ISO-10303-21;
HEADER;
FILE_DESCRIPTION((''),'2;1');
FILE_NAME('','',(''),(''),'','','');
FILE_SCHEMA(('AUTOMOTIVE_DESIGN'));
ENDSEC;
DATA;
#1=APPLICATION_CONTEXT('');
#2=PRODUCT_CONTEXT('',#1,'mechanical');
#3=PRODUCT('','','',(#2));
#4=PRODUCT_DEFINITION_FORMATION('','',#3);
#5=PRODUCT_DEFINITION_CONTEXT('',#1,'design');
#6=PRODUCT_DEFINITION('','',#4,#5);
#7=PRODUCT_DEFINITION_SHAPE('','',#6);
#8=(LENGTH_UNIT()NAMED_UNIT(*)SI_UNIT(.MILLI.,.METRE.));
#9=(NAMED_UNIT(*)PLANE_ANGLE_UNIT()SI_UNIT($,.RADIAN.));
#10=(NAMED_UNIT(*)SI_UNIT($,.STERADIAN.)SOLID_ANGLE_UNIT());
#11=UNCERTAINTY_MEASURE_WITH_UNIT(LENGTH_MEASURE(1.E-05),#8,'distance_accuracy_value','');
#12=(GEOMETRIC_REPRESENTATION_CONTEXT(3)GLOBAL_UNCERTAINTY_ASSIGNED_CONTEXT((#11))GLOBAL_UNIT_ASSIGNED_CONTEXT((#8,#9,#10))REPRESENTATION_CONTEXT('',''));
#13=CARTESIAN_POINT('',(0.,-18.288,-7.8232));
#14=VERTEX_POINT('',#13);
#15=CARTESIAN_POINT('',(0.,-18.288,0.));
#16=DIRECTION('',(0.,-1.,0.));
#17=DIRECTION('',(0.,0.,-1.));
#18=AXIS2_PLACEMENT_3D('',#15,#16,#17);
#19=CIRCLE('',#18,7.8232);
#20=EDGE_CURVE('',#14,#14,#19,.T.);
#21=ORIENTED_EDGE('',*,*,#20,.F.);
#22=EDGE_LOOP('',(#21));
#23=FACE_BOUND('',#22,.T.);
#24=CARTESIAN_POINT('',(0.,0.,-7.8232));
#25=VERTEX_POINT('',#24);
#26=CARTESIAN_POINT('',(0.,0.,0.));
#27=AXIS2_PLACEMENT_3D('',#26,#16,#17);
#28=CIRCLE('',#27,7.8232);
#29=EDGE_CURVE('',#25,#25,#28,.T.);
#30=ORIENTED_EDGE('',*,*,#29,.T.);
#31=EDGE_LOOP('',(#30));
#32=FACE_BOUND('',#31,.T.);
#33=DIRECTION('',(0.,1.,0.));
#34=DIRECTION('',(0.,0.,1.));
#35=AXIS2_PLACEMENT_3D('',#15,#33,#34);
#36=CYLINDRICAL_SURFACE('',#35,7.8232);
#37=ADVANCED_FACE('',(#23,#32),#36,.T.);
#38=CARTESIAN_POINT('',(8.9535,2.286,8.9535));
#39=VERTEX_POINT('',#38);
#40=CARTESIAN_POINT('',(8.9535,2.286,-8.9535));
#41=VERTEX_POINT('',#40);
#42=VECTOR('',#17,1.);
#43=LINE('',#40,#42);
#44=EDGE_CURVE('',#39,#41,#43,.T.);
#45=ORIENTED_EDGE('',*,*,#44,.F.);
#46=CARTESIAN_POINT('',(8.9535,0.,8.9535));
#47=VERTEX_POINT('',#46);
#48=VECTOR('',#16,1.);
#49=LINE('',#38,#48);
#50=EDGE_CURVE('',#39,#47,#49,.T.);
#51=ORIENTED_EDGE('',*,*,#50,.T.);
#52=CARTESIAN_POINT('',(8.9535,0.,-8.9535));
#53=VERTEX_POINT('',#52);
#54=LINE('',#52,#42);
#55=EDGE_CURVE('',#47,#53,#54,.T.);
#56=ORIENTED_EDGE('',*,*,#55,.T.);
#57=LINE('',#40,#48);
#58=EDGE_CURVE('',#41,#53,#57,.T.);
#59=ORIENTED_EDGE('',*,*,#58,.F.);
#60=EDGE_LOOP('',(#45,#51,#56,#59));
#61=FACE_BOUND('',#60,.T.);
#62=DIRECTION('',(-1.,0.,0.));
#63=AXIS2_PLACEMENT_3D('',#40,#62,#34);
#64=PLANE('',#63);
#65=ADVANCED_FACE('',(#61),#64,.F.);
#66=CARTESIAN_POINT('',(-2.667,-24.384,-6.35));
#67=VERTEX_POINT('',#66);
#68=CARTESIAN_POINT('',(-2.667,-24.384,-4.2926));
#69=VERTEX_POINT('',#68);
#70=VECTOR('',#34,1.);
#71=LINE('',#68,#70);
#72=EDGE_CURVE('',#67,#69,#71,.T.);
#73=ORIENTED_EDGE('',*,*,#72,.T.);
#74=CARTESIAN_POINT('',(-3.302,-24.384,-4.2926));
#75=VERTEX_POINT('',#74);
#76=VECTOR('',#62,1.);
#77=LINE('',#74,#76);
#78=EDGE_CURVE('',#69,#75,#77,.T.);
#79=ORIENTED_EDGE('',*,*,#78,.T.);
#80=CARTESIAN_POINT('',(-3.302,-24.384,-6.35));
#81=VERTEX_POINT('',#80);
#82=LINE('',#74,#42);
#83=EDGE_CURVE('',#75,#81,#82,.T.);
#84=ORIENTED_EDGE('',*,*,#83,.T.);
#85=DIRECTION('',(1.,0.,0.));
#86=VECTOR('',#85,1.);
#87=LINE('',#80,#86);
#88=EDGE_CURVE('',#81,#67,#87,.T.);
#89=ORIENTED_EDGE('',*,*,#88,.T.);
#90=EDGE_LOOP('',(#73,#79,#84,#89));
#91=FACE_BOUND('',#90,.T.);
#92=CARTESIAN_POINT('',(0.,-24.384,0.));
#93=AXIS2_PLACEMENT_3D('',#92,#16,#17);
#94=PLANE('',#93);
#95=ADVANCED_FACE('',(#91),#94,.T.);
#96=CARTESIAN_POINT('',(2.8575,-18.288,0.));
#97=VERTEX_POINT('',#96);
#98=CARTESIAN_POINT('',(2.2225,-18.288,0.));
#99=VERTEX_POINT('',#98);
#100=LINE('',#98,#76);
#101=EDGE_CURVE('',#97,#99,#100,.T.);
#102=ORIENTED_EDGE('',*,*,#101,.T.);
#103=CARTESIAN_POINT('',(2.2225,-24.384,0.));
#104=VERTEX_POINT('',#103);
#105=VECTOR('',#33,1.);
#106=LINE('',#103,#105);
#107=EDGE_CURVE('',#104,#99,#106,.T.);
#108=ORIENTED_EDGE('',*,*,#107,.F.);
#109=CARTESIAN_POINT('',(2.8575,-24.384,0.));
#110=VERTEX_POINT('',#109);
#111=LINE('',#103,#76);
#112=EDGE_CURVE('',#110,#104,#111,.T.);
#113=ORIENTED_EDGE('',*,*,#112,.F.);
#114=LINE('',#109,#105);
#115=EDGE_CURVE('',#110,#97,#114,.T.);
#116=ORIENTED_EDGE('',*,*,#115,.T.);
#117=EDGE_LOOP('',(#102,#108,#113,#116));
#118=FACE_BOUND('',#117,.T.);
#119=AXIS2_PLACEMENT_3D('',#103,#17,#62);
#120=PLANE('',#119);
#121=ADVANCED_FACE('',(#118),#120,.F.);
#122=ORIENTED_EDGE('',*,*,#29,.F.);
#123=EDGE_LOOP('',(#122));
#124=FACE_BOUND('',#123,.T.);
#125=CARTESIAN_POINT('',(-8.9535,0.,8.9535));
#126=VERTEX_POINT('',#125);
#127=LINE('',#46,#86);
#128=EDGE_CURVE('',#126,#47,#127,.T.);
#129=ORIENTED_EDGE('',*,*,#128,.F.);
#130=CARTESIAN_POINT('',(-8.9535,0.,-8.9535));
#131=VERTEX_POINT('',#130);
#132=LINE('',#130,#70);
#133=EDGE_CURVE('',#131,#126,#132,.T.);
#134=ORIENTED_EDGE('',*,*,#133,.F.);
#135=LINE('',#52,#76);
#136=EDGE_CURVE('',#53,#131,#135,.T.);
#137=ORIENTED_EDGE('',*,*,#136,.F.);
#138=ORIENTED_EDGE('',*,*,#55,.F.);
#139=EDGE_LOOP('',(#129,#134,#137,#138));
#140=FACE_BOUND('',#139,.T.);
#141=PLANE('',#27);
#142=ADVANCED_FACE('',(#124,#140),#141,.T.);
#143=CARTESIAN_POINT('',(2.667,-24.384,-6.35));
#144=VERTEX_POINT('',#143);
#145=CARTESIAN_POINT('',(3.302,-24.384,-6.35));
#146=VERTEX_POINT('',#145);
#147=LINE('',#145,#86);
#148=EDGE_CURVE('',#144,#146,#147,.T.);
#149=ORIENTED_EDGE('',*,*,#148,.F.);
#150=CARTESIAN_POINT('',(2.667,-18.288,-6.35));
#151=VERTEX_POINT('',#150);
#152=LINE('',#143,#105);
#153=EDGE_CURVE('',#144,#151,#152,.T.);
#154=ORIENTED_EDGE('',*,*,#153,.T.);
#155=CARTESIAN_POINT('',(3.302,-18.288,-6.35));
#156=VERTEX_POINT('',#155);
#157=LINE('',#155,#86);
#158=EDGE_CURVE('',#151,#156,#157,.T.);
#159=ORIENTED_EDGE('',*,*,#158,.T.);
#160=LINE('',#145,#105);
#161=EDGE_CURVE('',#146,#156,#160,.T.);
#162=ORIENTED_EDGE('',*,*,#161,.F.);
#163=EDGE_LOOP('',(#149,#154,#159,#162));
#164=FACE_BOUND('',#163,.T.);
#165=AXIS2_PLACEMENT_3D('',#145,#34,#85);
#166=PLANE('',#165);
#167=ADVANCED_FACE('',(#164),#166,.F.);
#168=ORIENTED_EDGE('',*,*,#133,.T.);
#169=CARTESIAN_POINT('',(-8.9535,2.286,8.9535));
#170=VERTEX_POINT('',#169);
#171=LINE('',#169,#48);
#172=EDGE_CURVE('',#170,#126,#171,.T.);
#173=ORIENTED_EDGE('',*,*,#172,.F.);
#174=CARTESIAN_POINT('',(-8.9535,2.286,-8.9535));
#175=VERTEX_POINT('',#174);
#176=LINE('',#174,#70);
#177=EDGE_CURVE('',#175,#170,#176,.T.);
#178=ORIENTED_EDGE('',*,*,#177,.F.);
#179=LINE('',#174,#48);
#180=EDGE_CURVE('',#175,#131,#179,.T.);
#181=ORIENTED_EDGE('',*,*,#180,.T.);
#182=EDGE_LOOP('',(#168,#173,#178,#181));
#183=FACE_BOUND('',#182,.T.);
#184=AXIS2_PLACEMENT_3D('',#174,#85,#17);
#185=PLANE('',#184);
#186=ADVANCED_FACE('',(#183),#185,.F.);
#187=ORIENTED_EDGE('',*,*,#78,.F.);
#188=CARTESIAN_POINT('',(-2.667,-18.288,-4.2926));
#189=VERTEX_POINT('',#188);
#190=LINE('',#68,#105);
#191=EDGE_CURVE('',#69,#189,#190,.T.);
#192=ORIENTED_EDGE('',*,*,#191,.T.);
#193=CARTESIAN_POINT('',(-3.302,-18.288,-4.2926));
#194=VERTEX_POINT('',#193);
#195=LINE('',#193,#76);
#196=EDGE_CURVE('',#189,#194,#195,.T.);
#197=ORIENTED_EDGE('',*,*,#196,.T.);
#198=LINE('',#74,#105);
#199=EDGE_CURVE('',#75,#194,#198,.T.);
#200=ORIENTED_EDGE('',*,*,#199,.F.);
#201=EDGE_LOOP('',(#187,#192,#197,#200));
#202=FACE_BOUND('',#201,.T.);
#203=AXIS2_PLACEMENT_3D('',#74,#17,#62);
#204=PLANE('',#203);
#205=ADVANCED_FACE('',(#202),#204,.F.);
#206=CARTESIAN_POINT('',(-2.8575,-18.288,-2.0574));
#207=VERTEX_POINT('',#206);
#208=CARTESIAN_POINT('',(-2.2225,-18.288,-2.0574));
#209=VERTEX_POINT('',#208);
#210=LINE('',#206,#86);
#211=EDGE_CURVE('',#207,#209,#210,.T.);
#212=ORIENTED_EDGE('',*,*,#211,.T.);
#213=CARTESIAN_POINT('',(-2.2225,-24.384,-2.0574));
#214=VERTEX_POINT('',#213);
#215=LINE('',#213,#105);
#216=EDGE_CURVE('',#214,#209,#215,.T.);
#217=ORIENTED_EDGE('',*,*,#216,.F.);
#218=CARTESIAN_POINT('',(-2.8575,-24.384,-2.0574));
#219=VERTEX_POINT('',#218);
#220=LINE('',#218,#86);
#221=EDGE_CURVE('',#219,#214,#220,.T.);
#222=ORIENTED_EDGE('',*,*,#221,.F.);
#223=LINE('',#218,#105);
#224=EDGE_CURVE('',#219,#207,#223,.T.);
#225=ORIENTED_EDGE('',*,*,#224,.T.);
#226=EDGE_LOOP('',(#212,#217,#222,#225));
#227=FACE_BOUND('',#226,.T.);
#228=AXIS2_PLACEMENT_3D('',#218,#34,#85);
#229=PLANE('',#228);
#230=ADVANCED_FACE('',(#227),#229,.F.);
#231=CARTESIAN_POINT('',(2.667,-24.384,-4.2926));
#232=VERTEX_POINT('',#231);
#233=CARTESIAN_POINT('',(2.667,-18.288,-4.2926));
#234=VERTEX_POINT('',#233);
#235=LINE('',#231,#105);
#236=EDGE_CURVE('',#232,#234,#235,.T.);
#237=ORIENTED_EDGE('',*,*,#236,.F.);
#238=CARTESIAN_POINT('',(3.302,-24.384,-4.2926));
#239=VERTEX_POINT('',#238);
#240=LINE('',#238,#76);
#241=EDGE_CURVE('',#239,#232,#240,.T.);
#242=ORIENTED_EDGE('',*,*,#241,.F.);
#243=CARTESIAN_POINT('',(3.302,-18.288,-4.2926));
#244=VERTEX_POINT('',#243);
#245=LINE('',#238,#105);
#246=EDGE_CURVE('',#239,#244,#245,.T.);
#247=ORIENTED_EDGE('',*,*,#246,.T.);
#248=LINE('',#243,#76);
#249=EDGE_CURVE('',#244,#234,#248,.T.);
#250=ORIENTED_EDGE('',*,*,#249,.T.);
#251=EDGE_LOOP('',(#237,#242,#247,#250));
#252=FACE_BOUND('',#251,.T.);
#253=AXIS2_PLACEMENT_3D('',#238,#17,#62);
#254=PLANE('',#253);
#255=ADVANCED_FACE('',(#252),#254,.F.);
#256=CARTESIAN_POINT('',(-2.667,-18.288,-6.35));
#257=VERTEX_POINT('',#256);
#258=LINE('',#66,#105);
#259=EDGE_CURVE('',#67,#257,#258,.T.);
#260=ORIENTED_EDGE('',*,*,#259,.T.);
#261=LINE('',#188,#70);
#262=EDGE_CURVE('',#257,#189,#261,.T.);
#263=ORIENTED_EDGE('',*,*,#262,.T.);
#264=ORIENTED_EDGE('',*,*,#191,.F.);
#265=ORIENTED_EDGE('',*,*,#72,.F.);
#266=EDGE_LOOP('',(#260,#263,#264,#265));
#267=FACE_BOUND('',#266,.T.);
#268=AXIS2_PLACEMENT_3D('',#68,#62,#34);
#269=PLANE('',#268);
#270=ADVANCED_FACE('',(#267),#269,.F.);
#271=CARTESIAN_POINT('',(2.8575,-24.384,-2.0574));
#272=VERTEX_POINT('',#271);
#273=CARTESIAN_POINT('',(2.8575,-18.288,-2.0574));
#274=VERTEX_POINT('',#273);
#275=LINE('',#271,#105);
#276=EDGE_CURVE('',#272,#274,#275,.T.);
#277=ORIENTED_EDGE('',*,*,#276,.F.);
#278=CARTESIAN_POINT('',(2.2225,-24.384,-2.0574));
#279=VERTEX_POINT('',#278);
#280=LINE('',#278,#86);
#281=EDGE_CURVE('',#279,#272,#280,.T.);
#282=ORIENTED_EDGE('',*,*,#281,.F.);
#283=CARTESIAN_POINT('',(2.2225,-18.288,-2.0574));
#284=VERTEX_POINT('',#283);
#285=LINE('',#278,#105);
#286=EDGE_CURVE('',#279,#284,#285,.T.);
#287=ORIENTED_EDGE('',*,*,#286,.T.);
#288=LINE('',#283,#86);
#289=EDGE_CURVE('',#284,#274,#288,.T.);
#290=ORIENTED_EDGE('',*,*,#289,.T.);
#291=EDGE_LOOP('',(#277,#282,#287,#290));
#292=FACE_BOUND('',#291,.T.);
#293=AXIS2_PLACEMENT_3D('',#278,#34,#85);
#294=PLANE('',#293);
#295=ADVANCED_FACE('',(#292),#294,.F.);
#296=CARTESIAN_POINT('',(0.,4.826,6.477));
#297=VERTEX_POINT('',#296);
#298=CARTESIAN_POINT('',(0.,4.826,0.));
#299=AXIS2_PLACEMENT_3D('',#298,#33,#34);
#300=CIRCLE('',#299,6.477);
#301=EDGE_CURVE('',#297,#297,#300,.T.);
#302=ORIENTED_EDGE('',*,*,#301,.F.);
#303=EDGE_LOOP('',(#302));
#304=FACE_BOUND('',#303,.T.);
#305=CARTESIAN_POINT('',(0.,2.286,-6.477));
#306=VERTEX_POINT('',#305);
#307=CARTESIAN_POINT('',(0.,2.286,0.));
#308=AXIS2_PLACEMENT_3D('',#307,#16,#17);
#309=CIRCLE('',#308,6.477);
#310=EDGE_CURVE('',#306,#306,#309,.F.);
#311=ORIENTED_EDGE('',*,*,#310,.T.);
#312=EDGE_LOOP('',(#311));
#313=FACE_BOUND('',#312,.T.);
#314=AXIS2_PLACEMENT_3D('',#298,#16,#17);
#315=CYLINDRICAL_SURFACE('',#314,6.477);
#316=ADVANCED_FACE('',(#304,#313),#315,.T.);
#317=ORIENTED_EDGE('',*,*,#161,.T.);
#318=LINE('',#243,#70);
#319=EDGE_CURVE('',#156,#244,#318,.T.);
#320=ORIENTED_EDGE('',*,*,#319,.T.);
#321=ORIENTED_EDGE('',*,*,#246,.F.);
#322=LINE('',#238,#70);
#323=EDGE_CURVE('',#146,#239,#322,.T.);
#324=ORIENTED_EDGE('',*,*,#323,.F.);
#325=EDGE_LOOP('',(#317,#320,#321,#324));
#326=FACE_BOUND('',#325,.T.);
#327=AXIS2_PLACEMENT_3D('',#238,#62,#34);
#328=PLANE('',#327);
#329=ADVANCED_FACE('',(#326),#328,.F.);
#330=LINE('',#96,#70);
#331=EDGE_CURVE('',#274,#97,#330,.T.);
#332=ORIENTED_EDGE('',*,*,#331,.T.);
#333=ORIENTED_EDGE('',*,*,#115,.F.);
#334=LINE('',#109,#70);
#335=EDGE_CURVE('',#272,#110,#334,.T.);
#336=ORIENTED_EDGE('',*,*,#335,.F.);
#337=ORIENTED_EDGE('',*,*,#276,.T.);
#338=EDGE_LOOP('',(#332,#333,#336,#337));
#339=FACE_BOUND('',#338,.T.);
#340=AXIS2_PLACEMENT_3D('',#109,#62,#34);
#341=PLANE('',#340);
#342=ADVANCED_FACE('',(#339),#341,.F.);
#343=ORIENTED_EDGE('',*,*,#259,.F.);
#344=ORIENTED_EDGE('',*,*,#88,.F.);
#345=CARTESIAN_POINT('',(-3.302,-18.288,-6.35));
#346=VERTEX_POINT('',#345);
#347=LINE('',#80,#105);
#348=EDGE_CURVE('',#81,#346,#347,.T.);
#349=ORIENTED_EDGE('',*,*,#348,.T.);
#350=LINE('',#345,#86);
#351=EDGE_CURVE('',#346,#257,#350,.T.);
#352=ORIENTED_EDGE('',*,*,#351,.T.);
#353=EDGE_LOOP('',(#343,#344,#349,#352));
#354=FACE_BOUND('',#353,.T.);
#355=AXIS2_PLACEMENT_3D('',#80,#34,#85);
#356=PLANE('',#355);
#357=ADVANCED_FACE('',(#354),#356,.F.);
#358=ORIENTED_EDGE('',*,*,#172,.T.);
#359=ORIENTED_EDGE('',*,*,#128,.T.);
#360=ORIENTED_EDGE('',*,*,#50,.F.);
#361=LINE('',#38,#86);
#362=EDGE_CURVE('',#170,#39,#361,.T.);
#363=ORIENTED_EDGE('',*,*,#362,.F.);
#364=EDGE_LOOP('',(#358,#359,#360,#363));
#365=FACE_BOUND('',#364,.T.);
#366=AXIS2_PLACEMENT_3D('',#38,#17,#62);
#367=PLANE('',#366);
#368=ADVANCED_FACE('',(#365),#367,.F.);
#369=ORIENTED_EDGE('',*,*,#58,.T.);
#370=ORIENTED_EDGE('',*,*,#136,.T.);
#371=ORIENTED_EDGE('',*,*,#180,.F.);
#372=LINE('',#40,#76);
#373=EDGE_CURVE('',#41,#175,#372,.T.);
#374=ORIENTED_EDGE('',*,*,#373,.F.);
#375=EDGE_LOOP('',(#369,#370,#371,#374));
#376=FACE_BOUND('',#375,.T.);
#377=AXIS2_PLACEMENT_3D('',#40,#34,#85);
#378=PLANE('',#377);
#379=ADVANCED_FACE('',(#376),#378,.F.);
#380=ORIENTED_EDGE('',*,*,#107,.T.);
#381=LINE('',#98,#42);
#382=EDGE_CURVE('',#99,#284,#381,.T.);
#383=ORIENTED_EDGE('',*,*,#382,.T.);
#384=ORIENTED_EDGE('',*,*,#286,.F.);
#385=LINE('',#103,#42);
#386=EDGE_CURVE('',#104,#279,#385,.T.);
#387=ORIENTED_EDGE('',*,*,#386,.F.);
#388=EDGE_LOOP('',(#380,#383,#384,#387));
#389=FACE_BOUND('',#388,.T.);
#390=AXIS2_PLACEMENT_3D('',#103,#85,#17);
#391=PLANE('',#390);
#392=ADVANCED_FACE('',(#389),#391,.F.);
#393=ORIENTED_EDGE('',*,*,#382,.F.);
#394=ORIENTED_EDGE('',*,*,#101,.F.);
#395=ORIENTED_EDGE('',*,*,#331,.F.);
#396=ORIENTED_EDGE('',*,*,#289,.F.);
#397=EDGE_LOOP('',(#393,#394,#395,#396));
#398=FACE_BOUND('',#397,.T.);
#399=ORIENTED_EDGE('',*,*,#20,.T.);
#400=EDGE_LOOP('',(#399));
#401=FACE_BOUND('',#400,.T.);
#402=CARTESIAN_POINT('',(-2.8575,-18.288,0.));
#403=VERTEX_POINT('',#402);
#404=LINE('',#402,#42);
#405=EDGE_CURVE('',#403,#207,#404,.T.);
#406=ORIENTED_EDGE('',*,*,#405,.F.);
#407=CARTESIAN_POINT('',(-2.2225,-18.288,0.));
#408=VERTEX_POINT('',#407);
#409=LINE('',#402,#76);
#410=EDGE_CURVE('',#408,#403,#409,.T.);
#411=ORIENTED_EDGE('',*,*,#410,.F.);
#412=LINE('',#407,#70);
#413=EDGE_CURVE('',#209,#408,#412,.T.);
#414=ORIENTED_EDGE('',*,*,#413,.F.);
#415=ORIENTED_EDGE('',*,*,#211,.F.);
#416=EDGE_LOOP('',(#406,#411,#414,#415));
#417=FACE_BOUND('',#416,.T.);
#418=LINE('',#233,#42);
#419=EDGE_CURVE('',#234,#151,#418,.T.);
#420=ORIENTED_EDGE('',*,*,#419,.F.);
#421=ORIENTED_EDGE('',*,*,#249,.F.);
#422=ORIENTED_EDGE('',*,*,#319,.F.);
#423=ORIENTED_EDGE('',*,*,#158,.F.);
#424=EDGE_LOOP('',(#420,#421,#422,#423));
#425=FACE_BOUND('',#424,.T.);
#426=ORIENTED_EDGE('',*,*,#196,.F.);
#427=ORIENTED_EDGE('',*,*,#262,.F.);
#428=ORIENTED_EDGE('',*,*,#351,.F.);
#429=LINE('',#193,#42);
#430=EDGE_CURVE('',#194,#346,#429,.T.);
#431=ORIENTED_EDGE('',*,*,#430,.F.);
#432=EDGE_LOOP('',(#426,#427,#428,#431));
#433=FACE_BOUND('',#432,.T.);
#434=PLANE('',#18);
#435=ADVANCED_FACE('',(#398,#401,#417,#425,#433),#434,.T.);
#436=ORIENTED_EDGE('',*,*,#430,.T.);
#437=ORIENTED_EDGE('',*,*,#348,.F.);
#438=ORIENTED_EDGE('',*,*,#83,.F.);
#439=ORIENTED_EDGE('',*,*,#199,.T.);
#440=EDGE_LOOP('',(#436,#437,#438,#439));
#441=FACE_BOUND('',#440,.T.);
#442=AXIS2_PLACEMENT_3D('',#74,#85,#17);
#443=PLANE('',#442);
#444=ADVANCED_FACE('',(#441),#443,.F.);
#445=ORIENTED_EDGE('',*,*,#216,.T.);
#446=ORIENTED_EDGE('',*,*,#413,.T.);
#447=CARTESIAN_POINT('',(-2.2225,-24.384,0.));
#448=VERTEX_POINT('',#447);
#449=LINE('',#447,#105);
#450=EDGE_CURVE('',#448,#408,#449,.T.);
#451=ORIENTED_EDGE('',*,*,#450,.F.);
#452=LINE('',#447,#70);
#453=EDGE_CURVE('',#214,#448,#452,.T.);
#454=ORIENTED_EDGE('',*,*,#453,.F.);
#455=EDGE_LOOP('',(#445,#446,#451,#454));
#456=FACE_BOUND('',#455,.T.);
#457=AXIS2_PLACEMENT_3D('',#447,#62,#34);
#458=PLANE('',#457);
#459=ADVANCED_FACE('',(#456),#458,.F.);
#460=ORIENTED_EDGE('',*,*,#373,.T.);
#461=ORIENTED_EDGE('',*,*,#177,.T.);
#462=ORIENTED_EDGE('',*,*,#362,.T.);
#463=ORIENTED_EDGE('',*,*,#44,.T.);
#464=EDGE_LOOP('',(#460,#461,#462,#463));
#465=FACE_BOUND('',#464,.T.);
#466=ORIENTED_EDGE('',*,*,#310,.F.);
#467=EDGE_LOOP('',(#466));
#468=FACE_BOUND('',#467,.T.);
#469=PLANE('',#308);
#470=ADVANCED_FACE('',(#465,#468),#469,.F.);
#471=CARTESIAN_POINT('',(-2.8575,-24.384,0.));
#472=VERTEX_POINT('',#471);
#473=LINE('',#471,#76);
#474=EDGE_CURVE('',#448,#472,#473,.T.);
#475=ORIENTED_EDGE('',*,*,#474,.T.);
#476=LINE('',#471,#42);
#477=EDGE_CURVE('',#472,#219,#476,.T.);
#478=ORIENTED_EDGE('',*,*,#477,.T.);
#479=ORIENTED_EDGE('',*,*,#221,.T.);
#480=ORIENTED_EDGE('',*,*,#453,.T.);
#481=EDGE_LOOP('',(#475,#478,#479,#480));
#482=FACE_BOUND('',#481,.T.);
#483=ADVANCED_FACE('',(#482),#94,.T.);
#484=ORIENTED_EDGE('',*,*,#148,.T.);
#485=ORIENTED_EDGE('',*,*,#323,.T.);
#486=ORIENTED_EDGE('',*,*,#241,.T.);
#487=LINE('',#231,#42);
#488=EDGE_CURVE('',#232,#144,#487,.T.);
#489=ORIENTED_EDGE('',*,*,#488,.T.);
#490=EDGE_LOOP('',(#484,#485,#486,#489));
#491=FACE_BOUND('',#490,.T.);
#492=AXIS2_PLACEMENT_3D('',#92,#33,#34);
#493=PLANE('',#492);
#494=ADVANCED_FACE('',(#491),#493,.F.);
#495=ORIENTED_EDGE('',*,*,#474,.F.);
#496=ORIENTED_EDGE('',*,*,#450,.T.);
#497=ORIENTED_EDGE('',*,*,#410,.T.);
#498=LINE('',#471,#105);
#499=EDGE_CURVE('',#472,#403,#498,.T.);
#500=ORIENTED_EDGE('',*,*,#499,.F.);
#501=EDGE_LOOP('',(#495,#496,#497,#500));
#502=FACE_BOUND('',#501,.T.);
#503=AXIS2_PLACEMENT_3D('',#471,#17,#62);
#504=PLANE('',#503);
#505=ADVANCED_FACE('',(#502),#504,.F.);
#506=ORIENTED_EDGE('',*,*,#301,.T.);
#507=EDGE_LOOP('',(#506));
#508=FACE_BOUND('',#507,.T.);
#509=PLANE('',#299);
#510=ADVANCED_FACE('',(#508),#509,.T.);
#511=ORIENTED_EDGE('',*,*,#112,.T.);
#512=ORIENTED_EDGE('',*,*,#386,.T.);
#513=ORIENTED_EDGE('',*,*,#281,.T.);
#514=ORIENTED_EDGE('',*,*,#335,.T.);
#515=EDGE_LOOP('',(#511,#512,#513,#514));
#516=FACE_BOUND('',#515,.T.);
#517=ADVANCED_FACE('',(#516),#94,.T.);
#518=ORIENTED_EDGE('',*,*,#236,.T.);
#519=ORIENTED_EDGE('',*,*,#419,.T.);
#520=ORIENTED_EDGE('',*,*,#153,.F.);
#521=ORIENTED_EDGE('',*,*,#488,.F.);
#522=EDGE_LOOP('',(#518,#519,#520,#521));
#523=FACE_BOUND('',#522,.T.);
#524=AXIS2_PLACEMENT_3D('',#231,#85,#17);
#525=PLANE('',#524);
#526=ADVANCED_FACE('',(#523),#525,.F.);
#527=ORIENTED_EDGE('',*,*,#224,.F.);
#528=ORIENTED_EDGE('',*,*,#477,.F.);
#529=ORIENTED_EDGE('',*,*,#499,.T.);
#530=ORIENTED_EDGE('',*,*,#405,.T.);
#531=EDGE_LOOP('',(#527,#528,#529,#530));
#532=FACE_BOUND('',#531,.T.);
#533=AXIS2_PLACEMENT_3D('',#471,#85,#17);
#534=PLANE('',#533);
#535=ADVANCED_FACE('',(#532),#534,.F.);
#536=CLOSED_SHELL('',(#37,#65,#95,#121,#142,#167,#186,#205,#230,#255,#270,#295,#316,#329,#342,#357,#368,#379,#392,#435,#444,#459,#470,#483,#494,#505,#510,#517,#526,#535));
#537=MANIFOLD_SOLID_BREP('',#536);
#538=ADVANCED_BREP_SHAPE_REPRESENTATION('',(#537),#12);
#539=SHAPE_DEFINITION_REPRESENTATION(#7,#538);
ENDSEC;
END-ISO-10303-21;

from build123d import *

# Parameters (mm, degrees)
SKETCH1_W           = 17.907
SKETCH1_H           = 17.907
BOSS_EXTRUDE1_DEPTH = 2.286
SKETCH2_R           = 6.477
BOSS_EXTRUDE2_DEPTH = 2.54
SKETCH3_R           = 7.8232
BOSS_EXTRUDE3_DEPTH = 18.288
SKETCH4_W           = 0.635
SKETCH4_H           = 2.0574
BOSS_EXTRUDE4_DEPTH = 6.096


with BuildPart() as part:
    # Sketch1 → Boss-Extrude1 (new body)
    with BuildSketch(Plane(origin=(0, 0, 0), x_dir=(1, 0, 0), z_dir=(0, 1, 0))):
        Rectangle(SKETCH1_W, SKETCH1_H)
    extrude(amount=BOSS_EXTRUDE1_DEPTH)

    # Sketch2 → Boss-Extrude2 (add)
    with BuildSketch(Plane(origin=(0, 2.286, 0), x_dir=(1, 0, 0), z_dir=(0, 1, 0))):
        with Locations(Location((0, 0, 0), (0, 0, 90))):  # turned: the seam where the file's is
            Circle(SKETCH2_R)
    extrude(amount=BOSS_EXTRUDE2_DEPTH)

    # Sketch3 → Boss-Extrude3 (add)
    with BuildSketch(Plane.XZ):
        with Locations(Location((0, 0, 0), (0, 0, 270))):  # turned: the seam where the file's is
            Circle(SKETCH3_R)
    extrude(amount=BOSS_EXTRUDE3_DEPTH)

    # Sketch4 → Boss-Extrude4 (add)
    with BuildSketch(Plane.XZ.offset(18.288)):
        with Locations((-2.54, -1.0287)):
            Rectangle(SKETCH4_W, SKETCH4_H)
        with Locations((2.54, -1.0287)):
            Rectangle(SKETCH4_W, SKETCH4_H)
        with Locations((-2.9845, -5.3213)):
            Rectangle(SKETCH4_W, SKETCH4_H)
        with Locations((2.9845, -5.3213)):
            Rectangle(SKETCH4_W, SKETCH4_H)
    extrude(amount=BOSS_EXTRUDE4_DEPTH)


solid = part.part
